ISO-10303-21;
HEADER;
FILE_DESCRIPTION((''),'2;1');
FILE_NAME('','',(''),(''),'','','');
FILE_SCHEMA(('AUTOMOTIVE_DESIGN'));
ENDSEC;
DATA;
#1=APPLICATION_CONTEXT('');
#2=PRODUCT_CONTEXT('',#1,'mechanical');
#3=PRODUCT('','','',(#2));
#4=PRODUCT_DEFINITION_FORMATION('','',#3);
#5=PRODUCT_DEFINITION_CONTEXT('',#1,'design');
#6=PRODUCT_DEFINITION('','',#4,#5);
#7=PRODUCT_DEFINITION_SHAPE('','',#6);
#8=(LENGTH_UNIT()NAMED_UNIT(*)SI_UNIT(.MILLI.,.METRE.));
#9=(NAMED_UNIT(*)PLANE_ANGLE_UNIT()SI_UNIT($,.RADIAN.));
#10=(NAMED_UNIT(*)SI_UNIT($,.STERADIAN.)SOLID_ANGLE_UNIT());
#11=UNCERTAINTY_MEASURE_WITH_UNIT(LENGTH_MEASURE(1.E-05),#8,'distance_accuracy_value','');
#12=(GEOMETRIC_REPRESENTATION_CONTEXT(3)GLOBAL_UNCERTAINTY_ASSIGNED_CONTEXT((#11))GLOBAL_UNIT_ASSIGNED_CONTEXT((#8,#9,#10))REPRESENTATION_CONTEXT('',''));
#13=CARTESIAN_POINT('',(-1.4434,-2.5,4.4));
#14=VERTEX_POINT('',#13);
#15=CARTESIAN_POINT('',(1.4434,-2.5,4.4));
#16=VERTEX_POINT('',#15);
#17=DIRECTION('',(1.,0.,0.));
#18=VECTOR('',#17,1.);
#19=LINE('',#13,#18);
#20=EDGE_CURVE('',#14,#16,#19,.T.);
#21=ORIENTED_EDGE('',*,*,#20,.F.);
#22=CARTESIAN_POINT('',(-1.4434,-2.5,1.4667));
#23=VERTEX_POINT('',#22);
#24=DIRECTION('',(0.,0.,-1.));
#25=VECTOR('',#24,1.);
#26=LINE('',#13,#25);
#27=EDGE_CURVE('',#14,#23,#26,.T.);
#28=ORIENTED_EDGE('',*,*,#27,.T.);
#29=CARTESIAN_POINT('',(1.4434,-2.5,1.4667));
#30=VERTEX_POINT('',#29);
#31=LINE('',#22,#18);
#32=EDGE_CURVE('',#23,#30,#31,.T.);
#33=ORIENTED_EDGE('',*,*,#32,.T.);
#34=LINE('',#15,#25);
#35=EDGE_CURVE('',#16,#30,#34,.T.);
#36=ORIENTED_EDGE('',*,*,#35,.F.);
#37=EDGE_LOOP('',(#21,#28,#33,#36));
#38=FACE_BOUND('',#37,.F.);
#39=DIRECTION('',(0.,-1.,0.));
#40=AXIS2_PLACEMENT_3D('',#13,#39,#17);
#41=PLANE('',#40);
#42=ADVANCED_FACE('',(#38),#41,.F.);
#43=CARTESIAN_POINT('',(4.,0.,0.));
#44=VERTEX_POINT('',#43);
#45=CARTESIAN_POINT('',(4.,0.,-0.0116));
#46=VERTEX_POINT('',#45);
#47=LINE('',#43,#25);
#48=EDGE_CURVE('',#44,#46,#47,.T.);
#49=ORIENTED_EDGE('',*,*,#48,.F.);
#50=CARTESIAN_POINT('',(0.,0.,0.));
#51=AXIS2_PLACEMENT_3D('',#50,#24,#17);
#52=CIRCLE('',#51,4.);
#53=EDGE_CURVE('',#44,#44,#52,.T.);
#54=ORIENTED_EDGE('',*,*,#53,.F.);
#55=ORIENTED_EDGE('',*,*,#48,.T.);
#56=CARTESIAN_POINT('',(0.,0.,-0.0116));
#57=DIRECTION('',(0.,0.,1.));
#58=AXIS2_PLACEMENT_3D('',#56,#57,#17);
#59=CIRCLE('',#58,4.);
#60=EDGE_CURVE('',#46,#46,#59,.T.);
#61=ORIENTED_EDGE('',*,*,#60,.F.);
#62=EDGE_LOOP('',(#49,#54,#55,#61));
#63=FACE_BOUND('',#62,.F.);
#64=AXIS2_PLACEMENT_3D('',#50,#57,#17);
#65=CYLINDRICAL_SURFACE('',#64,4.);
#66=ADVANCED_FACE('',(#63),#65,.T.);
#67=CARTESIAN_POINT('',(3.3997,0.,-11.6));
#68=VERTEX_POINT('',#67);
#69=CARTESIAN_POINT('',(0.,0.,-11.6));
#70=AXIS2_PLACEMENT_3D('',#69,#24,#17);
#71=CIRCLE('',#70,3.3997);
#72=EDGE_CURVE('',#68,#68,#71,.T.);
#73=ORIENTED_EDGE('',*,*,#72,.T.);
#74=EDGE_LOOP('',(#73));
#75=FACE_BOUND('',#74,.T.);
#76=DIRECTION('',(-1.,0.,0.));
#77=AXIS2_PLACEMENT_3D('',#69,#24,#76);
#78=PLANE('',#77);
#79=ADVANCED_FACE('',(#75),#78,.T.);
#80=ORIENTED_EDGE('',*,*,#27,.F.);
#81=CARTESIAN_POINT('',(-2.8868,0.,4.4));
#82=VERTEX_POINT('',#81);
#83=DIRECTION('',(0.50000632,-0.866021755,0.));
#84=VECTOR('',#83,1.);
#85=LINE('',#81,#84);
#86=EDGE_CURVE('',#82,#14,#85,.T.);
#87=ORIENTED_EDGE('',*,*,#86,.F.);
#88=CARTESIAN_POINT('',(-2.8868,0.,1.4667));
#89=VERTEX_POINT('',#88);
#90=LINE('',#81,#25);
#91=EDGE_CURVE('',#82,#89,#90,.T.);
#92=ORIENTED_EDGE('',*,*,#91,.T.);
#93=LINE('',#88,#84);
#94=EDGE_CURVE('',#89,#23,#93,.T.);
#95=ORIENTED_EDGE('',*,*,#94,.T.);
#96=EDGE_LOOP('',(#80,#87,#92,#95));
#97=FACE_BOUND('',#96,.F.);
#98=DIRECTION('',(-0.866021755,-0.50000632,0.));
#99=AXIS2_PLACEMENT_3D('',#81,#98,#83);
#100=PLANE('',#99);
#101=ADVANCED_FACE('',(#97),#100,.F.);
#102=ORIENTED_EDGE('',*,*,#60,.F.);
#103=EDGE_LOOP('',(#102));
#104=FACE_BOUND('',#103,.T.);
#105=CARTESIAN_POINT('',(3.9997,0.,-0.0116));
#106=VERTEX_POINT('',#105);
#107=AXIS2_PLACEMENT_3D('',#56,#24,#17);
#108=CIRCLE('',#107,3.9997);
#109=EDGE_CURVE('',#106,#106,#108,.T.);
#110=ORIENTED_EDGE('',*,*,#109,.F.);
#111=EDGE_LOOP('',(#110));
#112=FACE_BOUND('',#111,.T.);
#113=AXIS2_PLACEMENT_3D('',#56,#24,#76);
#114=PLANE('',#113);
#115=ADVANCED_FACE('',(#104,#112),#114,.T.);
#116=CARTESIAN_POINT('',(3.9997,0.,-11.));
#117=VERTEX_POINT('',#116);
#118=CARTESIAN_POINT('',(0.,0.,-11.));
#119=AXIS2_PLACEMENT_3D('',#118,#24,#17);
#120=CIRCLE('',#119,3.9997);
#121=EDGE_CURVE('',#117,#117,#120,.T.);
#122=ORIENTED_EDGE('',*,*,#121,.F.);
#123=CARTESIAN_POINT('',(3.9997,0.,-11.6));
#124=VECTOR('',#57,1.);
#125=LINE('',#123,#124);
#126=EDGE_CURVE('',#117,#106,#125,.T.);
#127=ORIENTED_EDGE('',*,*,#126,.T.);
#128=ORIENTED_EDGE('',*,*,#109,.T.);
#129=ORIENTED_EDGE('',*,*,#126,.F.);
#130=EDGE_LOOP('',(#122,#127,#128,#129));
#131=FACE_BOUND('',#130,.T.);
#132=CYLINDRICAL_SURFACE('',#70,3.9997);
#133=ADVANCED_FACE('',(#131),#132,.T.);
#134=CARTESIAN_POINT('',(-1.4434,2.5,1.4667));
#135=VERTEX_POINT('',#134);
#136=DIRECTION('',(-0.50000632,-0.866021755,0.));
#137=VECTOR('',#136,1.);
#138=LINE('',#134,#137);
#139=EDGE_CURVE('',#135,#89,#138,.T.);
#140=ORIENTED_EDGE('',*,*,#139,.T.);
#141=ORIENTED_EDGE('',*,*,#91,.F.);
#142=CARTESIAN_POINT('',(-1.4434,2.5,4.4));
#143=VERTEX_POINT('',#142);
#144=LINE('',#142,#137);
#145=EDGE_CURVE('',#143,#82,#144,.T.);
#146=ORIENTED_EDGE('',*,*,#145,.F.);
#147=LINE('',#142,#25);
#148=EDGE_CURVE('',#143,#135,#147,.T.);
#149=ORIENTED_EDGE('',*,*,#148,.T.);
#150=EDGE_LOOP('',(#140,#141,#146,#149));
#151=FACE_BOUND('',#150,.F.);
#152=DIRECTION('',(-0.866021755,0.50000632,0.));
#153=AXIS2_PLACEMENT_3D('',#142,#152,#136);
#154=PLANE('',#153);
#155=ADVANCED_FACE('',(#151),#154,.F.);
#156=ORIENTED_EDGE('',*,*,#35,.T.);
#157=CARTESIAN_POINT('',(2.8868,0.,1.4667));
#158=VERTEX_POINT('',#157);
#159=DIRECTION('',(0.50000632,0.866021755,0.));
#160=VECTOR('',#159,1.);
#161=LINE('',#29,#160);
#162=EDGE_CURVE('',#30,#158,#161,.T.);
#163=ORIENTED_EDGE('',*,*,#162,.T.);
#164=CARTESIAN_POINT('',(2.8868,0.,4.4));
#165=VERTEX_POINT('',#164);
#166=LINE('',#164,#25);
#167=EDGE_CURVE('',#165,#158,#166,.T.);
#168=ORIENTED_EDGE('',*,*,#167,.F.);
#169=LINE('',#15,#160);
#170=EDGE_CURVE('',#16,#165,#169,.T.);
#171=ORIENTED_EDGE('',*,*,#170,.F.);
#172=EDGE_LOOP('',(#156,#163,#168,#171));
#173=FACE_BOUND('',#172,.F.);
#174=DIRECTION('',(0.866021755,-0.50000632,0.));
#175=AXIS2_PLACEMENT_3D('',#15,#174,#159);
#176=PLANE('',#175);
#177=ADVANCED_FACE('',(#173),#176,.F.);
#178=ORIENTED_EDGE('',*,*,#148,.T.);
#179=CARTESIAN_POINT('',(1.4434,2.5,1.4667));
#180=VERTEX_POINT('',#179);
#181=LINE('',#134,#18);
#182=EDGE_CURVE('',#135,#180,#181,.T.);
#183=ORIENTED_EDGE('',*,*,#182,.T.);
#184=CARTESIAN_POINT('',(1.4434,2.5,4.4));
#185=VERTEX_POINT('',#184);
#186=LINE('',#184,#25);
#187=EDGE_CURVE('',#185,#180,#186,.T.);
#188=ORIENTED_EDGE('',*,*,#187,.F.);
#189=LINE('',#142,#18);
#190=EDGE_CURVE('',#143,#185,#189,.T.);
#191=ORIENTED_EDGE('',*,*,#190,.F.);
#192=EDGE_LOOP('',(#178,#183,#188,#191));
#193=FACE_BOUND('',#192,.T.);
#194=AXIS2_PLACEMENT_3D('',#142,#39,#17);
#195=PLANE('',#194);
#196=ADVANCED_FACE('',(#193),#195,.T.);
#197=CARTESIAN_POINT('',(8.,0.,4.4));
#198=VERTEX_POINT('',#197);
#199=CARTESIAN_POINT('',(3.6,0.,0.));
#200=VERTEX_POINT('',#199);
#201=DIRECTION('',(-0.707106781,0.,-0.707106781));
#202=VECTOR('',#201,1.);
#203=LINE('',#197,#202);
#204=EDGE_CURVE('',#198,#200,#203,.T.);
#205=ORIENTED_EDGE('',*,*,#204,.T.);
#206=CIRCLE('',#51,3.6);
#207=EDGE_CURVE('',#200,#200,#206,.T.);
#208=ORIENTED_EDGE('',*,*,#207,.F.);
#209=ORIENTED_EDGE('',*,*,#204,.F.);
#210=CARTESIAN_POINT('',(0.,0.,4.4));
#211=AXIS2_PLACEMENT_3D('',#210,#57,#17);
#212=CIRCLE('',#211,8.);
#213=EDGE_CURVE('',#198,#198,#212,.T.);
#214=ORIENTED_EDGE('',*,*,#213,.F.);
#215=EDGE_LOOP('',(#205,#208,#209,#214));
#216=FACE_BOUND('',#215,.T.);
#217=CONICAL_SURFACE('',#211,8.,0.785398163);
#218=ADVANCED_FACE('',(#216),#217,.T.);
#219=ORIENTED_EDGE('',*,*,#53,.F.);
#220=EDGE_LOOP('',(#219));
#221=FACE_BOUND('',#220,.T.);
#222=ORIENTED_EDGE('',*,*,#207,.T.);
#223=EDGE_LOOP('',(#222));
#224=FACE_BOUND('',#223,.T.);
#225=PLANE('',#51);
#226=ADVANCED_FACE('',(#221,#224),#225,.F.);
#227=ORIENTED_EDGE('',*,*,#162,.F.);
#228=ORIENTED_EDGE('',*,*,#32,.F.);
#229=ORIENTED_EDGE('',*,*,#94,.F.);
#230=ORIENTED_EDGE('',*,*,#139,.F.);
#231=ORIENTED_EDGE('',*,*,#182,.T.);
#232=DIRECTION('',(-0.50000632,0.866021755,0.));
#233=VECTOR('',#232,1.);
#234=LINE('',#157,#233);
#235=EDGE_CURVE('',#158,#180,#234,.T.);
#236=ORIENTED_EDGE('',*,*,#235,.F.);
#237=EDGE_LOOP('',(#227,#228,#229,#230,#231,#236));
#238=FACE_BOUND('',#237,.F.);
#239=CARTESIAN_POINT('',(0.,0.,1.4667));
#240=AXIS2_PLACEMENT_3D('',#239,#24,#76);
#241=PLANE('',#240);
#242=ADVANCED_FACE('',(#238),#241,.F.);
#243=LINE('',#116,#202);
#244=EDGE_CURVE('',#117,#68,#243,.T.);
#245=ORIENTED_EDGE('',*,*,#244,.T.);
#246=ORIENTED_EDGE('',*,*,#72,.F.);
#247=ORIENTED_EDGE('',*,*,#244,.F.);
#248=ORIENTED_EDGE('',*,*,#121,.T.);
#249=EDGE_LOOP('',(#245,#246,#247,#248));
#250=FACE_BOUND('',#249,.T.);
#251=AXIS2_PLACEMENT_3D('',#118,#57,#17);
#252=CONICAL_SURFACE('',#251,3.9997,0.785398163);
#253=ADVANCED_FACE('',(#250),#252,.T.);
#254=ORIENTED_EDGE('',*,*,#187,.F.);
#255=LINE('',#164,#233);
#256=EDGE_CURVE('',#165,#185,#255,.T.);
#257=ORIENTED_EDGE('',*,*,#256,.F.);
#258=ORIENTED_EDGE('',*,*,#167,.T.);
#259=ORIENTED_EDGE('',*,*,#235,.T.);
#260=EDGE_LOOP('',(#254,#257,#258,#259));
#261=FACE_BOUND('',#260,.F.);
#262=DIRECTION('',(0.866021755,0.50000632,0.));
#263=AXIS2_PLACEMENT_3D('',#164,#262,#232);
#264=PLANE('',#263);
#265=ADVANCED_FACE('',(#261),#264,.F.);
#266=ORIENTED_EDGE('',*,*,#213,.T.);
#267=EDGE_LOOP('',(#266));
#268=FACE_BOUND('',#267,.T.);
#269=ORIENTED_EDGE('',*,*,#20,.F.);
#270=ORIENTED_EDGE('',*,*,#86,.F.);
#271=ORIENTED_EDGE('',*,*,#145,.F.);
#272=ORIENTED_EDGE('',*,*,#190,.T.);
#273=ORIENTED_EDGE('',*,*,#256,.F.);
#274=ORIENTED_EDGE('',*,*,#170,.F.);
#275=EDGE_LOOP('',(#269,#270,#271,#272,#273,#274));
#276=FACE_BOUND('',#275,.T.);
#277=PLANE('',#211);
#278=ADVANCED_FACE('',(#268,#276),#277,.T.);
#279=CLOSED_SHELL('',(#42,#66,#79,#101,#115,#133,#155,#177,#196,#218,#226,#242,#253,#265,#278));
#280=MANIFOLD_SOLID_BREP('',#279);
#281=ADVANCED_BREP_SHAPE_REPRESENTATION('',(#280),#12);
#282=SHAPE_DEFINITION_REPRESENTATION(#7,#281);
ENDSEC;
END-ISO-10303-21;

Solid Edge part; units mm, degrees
sketch "Sketch1" plane through (0, 0, 0) normal (0, 0, 1) x (1, 0, 0)
  circle A0 centre (0, 0) radius 8
  dimension "D1" = 16
extrude "Protrusion1" add sketch "Sketch1" along normal blind 4.4
sketch "Sketch2" plane through (0, 0, 0) normal (0, 0, -1) x (1, 0, 0)
  circle A0 centre (0, 0) radius 4
extrude "Protrusion2" add sketch "Sketch2" along normal blind 11.6
sketch "Sketch3" plane through (0, 0, -11.6) normal (0, 0, -1) x (1, 0, 0)
  circle A0 centre (0, 0) radius 3.9997
extrude "Cutout1" cut sketch "Sketch3" against normal blind 11.5884 flip side to cut
chamfer "Chamfer_1" distance 0.6 angle 45 1 edges at (-3.9997, 0, -11.6)
sketch "Sketch4" plane through (0, 0, 4.4) normal (0, 0, 1) x (1, 0, 0)
  line L0 (-1.4434, 2.5) -> (1.4434, 2.5)
  line L1 (2.8868, 0) -> (1.4434, 2.5)
  line L2 (1.4434, -2.5) -> (2.8868, 0)
  line L3 (-1.4434, -2.5) -> (1.4434, -2.5)
  line L4 (-2.8868, 0) -> (-1.4434, -2.5)
  line L5 (-1.4434, 2.5) -> (-2.8868, 0)
  dimension "D1" = 5
extrude "Cutout2" cut sketch "Sketch4" against normal blind 2.9333
sketch "Sketch5" plane through (0, 0, 0) normal (0, -1, 0) x (1, 0, 0)
  line L0 (8, 4.4) -> (3.6, 0)
  line L1 (3.6, 0) -> (8, 0)
  line L2 (8, 0) -> (8, 4.4)
revolve "RevolvedCutout1" cut sketch "Sketch5" angle 360 about axis through (0, 0, 14.0017) along (0, 0, -1)
properties part number "24101875"
